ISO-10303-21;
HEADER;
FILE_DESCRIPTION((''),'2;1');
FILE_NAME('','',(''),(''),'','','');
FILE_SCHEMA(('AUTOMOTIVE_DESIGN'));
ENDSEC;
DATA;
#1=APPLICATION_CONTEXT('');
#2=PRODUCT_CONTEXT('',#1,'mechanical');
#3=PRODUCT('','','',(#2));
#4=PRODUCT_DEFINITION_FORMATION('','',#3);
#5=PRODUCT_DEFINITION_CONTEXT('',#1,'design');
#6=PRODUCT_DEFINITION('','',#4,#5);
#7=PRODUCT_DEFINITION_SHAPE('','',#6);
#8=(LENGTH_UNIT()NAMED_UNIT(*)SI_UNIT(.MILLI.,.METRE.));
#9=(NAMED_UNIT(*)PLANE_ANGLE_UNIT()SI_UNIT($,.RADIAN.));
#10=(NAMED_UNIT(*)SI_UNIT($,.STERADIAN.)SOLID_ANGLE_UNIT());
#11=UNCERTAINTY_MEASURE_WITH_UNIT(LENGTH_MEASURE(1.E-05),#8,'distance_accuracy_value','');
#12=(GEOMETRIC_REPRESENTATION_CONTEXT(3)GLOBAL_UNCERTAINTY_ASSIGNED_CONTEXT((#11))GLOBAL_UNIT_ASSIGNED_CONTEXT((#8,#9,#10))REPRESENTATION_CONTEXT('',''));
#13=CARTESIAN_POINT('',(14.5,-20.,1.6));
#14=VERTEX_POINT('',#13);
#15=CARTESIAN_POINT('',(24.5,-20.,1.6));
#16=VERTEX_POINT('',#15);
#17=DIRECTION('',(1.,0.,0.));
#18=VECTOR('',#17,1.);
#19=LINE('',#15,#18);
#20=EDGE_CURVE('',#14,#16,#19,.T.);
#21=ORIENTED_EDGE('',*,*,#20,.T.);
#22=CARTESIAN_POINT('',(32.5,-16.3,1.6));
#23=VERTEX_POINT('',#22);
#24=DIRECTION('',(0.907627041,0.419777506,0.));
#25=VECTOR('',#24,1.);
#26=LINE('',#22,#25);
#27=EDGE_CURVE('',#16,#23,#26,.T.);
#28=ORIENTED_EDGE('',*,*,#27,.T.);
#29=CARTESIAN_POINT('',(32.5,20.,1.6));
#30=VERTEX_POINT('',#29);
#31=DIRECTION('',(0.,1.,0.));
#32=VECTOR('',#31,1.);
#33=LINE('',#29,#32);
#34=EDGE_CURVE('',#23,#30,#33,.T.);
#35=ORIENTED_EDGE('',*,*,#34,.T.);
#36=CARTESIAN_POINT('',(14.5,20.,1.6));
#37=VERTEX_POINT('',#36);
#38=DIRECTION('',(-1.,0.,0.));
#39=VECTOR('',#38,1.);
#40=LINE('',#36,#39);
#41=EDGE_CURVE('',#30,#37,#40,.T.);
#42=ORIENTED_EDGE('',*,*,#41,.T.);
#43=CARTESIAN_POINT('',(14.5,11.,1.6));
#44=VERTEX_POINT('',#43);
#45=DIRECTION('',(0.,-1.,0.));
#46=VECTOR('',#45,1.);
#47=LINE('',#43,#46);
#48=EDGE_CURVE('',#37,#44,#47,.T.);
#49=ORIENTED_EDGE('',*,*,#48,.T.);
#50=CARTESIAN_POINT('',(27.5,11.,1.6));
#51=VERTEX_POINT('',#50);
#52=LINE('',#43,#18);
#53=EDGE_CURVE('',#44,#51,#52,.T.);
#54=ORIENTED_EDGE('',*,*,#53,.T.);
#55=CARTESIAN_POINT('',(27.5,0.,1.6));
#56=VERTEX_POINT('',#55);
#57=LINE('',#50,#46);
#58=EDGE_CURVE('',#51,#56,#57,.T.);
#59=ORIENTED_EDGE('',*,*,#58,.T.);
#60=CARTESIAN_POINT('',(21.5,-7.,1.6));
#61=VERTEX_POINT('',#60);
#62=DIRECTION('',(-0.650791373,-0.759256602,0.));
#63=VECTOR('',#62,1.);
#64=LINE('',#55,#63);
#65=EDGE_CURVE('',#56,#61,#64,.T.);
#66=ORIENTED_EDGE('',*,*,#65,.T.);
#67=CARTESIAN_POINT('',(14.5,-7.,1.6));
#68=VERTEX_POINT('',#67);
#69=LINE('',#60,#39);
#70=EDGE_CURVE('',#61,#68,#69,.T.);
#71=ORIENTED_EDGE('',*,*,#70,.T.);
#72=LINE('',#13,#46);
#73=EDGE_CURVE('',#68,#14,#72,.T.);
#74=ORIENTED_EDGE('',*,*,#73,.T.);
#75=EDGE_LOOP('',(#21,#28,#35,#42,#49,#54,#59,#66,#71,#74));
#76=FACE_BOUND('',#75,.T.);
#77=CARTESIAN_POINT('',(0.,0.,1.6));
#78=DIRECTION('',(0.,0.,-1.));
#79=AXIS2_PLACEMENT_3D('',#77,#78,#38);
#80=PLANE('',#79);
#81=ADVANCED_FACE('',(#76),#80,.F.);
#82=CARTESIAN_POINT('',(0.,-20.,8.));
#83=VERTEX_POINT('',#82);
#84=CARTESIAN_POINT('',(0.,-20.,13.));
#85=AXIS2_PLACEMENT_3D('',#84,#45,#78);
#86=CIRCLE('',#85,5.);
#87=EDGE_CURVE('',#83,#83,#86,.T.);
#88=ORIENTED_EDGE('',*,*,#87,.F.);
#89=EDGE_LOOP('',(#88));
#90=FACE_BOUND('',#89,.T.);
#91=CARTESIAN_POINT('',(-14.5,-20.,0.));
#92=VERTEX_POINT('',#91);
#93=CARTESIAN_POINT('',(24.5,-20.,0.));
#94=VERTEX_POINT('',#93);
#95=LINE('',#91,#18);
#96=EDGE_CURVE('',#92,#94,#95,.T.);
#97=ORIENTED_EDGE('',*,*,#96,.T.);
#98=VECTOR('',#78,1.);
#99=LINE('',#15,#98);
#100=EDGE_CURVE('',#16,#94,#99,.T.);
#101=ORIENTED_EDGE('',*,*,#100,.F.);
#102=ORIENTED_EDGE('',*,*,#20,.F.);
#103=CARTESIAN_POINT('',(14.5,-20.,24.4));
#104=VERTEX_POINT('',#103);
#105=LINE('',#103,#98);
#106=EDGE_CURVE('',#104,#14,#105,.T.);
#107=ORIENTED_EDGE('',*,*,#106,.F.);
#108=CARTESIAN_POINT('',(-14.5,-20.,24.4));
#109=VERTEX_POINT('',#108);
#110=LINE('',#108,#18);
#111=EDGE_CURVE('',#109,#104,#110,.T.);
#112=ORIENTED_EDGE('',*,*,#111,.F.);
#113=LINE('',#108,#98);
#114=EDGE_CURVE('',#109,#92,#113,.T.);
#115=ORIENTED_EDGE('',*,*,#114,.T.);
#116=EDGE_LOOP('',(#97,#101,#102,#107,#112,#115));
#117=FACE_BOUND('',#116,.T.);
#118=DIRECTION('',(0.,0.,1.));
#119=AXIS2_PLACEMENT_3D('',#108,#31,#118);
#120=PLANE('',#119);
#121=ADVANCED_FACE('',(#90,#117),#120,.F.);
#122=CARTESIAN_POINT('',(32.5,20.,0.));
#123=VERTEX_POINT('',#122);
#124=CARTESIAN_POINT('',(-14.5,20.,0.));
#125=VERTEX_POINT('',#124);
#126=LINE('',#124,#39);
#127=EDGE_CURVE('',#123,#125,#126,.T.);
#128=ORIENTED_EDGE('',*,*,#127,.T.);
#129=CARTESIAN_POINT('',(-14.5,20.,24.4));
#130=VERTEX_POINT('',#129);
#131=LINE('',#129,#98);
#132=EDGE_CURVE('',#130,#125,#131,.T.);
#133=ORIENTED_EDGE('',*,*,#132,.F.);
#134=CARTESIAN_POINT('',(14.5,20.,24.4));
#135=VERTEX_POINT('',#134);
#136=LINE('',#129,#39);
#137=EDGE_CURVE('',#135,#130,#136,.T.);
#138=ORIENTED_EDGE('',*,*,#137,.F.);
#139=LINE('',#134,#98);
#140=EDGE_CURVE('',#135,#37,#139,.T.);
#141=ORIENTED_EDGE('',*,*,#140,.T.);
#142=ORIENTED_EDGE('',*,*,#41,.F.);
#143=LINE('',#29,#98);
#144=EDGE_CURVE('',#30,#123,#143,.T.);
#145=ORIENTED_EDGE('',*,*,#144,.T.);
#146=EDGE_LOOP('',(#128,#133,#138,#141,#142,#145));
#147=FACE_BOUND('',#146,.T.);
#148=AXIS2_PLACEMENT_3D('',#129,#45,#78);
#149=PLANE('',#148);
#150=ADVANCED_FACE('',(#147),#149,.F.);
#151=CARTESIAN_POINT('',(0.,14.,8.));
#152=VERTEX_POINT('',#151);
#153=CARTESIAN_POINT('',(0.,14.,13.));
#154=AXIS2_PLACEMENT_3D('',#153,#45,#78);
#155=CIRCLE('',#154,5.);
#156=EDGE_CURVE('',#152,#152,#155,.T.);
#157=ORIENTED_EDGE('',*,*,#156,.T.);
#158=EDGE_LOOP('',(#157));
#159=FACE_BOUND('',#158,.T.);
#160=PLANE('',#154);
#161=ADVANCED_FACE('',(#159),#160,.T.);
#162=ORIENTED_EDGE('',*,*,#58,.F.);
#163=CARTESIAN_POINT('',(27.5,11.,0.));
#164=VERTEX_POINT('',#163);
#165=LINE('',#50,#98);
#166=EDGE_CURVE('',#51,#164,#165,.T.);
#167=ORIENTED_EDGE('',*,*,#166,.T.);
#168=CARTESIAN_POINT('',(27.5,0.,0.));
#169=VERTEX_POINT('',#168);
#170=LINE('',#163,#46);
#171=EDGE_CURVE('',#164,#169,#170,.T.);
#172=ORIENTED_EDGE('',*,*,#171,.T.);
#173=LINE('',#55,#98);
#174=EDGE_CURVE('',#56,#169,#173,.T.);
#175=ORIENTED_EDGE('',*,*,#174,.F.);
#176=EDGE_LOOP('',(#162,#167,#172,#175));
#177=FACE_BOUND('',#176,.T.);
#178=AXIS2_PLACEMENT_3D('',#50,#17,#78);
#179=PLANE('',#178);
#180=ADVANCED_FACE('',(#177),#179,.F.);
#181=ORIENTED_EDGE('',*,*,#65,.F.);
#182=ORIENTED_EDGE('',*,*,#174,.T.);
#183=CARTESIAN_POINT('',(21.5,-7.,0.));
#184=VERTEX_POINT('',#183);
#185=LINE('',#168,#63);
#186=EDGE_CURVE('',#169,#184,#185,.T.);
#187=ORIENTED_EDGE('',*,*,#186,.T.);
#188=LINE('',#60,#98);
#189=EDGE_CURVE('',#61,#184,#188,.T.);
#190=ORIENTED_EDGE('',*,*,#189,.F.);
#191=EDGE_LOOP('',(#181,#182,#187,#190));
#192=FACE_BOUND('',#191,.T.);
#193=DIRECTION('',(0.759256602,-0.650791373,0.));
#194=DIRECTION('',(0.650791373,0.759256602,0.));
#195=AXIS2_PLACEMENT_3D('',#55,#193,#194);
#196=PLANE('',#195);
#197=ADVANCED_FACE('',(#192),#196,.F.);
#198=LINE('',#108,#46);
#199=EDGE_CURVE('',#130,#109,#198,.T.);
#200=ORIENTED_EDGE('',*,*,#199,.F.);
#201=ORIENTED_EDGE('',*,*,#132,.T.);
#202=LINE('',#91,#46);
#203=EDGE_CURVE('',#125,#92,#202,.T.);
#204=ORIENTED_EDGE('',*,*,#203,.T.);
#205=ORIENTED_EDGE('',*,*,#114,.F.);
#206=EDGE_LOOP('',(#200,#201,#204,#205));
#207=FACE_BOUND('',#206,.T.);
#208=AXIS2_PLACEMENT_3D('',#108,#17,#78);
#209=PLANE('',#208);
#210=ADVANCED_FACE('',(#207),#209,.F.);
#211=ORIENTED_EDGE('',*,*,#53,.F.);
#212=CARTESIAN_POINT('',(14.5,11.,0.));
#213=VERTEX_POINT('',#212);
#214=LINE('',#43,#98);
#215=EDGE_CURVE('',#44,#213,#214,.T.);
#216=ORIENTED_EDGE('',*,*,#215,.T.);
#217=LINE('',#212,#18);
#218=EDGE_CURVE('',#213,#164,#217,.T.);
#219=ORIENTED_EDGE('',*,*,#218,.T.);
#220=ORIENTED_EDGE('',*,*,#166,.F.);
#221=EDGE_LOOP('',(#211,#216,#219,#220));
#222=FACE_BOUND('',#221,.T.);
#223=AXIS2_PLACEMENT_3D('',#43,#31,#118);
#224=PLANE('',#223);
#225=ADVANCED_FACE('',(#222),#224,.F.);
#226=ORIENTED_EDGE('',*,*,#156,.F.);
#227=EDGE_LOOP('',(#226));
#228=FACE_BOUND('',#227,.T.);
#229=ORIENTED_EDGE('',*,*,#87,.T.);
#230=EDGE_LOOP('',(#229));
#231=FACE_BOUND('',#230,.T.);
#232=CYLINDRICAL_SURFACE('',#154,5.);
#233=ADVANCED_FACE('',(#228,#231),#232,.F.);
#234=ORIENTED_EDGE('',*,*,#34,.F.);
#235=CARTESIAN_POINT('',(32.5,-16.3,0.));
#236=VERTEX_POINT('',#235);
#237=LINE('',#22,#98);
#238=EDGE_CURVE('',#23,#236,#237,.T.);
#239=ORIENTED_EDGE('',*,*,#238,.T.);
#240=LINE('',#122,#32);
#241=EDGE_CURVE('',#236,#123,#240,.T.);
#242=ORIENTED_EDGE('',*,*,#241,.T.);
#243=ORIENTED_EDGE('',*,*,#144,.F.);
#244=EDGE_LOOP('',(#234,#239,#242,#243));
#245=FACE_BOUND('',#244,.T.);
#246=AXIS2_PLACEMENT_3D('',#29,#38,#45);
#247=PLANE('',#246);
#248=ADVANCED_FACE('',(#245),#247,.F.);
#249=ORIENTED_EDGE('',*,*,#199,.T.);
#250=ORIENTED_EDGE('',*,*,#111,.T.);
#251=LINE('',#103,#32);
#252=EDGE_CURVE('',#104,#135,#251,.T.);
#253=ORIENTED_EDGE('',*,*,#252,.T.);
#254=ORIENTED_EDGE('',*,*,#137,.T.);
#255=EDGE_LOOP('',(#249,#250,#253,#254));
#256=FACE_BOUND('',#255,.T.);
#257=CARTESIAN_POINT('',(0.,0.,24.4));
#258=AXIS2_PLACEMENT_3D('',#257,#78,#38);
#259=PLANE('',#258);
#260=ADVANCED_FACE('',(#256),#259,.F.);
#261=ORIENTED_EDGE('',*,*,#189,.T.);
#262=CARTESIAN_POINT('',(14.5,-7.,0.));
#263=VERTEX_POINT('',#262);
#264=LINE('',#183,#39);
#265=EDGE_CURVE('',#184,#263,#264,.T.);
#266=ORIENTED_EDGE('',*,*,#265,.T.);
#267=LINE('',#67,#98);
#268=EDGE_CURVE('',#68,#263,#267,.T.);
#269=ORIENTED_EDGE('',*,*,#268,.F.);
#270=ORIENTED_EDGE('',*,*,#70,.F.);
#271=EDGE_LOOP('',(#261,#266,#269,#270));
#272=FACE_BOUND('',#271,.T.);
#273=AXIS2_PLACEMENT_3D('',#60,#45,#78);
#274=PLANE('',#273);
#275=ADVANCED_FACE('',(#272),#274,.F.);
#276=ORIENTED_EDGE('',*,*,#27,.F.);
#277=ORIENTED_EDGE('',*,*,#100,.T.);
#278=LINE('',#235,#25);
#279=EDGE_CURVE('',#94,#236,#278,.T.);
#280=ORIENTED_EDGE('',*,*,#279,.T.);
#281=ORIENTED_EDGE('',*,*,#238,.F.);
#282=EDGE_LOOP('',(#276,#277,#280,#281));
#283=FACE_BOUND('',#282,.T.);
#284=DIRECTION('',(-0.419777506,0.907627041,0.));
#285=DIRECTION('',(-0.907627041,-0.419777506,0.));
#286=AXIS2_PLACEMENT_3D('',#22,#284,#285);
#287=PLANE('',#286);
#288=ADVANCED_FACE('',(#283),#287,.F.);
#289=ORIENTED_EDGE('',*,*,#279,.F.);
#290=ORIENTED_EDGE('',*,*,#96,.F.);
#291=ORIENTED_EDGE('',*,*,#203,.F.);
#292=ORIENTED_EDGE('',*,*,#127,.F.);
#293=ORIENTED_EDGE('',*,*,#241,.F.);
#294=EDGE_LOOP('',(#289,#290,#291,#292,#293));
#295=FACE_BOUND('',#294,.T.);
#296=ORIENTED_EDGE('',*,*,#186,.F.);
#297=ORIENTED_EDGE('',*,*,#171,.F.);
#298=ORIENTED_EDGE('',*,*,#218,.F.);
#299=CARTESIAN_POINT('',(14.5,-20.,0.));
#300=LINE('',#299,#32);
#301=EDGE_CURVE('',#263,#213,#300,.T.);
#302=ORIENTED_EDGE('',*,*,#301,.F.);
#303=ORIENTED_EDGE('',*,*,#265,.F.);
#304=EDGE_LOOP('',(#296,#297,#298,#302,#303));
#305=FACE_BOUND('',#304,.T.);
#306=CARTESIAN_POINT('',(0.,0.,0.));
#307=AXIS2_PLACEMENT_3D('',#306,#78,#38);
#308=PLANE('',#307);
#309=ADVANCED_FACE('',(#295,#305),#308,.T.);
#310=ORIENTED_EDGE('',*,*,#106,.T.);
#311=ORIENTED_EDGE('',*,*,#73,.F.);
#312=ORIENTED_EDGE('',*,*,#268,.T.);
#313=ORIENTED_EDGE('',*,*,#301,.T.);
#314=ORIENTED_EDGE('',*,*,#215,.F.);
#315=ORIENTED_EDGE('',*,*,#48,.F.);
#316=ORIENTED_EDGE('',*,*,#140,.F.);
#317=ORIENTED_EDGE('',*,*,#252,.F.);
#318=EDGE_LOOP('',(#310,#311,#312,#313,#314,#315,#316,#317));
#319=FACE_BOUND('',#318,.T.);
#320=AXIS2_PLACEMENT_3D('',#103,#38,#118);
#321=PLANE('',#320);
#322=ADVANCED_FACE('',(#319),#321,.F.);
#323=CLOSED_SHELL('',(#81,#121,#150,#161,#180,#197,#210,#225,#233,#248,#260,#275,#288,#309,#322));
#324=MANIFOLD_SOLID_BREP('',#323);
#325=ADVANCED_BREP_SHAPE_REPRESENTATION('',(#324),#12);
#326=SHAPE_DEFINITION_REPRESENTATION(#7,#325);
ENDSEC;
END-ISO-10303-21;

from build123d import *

# Parameters (mm, degrees)
CROQUIS1_W              = 29
CROQUIS1_H              = 40
SALIENTE_EXTRUIR1_DEPTH = 24.4
SALIENTE_EXTRUIR2_DEPTH = 1.6
CROQUIS3_R              = 5
CORTAR_EXTRUIR1_DEPTH   = 34


with BuildPart() as part:
    # Croquis1 → Saliente-Extruir1 (new body)
    with BuildSketch(Plane.XY):
        Rectangle(CROQUIS1_W, CROQUIS1_H)
    extrude(amount=SALIENTE_EXTRUIR1_DEPTH)

    # Croquis2 → Saliente-Extruir2 (add)
    with BuildSketch(Plane.XY):
        Polygon((14.5, 20), (32.5, 20), (32.5, -16.3), (24.5, -20), (14.5, -20), (14.5, -7), (21.5, -7), (27.5, 0), (27.5, 11), (14.5, 11), align=None)
    extrude(amount=SALIENTE_EXTRUIR2_DEPTH)

    # Croquis3 → Cortar-Extruir1 (cut)
    with BuildSketch(Plane.XZ.offset(20)):
        with Locations(Location((0, 13, 0), (0, 0, 270))):
            Circle(CROQUIS3_R)
    extrude(amount=-CORTAR_EXTRUIR1_DEPTH, mode=Mode.SUBTRACT)


solid = part.part
